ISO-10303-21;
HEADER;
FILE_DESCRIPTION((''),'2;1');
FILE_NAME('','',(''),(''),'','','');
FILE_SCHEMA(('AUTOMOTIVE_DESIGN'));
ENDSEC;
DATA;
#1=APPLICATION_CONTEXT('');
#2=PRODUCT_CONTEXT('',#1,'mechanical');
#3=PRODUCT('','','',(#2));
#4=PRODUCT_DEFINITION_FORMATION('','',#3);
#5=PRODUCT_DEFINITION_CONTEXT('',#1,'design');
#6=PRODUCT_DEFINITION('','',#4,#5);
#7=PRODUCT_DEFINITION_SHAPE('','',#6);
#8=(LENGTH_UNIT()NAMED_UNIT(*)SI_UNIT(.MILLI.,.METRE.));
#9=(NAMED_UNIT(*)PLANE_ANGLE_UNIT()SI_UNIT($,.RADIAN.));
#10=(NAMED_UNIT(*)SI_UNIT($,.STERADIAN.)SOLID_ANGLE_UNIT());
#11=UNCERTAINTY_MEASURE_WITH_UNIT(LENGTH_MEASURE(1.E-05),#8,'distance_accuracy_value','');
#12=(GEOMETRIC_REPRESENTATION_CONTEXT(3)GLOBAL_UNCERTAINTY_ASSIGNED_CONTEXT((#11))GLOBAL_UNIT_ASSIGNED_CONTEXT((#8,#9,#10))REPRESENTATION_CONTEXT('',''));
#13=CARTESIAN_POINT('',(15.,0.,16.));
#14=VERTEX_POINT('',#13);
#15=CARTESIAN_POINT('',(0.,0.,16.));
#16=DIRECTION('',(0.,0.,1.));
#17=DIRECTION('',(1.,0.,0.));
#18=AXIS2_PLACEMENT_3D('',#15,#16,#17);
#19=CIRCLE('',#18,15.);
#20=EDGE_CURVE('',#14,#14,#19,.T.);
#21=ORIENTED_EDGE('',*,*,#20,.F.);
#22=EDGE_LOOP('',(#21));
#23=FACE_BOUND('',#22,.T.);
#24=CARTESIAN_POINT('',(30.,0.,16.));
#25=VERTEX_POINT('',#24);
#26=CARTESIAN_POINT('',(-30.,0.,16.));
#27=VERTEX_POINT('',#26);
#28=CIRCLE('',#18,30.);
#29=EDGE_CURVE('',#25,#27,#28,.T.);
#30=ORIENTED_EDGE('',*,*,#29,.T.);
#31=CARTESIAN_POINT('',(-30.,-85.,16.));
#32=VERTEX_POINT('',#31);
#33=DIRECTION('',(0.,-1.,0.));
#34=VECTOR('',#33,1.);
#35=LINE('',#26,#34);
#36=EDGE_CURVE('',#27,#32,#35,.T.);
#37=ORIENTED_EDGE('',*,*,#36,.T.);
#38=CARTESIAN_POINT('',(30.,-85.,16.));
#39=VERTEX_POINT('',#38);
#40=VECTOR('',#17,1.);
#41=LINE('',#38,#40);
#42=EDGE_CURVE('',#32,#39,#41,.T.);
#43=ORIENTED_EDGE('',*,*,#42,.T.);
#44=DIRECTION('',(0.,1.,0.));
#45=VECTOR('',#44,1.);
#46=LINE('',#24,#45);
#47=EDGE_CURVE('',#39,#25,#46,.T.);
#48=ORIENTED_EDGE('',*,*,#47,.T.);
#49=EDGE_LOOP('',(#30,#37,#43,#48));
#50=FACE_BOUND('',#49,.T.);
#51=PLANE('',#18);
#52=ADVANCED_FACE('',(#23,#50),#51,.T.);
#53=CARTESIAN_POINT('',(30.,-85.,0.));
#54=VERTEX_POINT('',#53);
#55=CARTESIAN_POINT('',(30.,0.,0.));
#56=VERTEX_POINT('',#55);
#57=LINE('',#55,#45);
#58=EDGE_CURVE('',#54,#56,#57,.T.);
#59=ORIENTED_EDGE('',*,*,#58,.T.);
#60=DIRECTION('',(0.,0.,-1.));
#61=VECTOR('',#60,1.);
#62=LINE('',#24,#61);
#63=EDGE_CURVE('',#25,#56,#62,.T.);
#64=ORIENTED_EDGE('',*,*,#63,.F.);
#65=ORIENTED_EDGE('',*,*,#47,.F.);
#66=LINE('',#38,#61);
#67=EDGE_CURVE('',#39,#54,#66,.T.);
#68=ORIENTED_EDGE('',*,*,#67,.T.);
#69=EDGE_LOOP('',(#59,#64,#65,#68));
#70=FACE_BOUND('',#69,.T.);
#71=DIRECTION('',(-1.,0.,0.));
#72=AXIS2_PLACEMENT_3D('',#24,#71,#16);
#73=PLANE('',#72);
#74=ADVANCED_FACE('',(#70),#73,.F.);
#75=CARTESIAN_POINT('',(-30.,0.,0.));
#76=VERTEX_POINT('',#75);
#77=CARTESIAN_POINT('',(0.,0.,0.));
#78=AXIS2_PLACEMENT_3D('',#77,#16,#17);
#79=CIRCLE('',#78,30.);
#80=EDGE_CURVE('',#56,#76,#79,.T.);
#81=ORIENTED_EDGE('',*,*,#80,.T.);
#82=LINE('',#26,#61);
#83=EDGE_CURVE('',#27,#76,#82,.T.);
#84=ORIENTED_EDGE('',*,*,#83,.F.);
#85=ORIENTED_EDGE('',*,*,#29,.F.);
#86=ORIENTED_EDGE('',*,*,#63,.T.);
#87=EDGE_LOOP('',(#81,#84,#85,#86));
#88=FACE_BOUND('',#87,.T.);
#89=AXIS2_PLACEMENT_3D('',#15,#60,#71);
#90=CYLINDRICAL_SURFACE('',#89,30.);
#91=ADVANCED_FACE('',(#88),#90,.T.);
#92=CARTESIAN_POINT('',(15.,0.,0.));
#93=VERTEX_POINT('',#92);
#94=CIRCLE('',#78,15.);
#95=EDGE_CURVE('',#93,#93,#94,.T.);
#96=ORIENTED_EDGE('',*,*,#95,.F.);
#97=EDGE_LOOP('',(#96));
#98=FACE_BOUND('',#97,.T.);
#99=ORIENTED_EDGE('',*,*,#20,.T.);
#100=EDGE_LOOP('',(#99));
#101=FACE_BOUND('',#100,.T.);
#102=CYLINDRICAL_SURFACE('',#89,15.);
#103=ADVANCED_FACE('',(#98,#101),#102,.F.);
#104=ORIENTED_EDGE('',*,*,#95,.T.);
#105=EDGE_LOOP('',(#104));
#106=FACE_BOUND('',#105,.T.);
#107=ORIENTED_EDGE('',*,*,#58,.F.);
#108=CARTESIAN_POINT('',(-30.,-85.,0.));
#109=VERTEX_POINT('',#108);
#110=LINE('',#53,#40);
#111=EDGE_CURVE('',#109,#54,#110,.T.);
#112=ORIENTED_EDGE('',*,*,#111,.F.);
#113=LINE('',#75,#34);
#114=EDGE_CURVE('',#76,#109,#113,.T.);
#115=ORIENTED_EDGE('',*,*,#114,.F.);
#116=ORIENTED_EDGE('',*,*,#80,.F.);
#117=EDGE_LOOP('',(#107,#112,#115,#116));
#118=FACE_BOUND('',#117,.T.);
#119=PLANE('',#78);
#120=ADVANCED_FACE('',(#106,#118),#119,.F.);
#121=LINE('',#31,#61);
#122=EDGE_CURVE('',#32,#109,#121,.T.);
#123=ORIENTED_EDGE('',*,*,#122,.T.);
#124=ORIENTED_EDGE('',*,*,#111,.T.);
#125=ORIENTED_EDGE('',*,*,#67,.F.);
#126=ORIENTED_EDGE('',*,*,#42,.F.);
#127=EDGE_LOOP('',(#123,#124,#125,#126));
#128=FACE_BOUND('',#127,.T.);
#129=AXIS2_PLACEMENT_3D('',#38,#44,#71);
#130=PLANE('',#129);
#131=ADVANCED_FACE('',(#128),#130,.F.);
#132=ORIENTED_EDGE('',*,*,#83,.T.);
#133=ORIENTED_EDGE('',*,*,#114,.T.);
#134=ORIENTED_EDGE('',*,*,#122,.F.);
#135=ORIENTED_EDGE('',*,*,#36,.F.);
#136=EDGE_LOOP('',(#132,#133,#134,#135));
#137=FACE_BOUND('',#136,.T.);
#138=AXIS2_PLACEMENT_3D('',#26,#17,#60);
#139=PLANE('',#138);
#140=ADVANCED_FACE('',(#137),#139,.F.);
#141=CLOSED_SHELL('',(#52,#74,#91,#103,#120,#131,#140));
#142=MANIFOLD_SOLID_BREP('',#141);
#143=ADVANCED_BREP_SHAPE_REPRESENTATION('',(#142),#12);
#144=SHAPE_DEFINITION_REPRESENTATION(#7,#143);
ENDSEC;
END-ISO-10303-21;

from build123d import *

# Parameters (mm, degrees)
SKETCH_1_R      = 15
EXTRUDE_1_DEPTH = 16


with BuildPart() as part:
    # 草图1 → 凸台-拉伸1 (new body)
    with BuildSketch(Plane.XY):
        with BuildLine():
            Line((30, 0), (30, -85))
            Line((30, -85), (-30, -85))
            Line((-30, -85), (-30, 0))
            ThreePointArc((-30, 0), (0, 30), (30, 0))
        make_face()
        Circle(SKETCH_1_R, mode=Mode.SUBTRACT)
    extrude(amount=EXTRUDE_1_DEPTH)


solid = part.part
